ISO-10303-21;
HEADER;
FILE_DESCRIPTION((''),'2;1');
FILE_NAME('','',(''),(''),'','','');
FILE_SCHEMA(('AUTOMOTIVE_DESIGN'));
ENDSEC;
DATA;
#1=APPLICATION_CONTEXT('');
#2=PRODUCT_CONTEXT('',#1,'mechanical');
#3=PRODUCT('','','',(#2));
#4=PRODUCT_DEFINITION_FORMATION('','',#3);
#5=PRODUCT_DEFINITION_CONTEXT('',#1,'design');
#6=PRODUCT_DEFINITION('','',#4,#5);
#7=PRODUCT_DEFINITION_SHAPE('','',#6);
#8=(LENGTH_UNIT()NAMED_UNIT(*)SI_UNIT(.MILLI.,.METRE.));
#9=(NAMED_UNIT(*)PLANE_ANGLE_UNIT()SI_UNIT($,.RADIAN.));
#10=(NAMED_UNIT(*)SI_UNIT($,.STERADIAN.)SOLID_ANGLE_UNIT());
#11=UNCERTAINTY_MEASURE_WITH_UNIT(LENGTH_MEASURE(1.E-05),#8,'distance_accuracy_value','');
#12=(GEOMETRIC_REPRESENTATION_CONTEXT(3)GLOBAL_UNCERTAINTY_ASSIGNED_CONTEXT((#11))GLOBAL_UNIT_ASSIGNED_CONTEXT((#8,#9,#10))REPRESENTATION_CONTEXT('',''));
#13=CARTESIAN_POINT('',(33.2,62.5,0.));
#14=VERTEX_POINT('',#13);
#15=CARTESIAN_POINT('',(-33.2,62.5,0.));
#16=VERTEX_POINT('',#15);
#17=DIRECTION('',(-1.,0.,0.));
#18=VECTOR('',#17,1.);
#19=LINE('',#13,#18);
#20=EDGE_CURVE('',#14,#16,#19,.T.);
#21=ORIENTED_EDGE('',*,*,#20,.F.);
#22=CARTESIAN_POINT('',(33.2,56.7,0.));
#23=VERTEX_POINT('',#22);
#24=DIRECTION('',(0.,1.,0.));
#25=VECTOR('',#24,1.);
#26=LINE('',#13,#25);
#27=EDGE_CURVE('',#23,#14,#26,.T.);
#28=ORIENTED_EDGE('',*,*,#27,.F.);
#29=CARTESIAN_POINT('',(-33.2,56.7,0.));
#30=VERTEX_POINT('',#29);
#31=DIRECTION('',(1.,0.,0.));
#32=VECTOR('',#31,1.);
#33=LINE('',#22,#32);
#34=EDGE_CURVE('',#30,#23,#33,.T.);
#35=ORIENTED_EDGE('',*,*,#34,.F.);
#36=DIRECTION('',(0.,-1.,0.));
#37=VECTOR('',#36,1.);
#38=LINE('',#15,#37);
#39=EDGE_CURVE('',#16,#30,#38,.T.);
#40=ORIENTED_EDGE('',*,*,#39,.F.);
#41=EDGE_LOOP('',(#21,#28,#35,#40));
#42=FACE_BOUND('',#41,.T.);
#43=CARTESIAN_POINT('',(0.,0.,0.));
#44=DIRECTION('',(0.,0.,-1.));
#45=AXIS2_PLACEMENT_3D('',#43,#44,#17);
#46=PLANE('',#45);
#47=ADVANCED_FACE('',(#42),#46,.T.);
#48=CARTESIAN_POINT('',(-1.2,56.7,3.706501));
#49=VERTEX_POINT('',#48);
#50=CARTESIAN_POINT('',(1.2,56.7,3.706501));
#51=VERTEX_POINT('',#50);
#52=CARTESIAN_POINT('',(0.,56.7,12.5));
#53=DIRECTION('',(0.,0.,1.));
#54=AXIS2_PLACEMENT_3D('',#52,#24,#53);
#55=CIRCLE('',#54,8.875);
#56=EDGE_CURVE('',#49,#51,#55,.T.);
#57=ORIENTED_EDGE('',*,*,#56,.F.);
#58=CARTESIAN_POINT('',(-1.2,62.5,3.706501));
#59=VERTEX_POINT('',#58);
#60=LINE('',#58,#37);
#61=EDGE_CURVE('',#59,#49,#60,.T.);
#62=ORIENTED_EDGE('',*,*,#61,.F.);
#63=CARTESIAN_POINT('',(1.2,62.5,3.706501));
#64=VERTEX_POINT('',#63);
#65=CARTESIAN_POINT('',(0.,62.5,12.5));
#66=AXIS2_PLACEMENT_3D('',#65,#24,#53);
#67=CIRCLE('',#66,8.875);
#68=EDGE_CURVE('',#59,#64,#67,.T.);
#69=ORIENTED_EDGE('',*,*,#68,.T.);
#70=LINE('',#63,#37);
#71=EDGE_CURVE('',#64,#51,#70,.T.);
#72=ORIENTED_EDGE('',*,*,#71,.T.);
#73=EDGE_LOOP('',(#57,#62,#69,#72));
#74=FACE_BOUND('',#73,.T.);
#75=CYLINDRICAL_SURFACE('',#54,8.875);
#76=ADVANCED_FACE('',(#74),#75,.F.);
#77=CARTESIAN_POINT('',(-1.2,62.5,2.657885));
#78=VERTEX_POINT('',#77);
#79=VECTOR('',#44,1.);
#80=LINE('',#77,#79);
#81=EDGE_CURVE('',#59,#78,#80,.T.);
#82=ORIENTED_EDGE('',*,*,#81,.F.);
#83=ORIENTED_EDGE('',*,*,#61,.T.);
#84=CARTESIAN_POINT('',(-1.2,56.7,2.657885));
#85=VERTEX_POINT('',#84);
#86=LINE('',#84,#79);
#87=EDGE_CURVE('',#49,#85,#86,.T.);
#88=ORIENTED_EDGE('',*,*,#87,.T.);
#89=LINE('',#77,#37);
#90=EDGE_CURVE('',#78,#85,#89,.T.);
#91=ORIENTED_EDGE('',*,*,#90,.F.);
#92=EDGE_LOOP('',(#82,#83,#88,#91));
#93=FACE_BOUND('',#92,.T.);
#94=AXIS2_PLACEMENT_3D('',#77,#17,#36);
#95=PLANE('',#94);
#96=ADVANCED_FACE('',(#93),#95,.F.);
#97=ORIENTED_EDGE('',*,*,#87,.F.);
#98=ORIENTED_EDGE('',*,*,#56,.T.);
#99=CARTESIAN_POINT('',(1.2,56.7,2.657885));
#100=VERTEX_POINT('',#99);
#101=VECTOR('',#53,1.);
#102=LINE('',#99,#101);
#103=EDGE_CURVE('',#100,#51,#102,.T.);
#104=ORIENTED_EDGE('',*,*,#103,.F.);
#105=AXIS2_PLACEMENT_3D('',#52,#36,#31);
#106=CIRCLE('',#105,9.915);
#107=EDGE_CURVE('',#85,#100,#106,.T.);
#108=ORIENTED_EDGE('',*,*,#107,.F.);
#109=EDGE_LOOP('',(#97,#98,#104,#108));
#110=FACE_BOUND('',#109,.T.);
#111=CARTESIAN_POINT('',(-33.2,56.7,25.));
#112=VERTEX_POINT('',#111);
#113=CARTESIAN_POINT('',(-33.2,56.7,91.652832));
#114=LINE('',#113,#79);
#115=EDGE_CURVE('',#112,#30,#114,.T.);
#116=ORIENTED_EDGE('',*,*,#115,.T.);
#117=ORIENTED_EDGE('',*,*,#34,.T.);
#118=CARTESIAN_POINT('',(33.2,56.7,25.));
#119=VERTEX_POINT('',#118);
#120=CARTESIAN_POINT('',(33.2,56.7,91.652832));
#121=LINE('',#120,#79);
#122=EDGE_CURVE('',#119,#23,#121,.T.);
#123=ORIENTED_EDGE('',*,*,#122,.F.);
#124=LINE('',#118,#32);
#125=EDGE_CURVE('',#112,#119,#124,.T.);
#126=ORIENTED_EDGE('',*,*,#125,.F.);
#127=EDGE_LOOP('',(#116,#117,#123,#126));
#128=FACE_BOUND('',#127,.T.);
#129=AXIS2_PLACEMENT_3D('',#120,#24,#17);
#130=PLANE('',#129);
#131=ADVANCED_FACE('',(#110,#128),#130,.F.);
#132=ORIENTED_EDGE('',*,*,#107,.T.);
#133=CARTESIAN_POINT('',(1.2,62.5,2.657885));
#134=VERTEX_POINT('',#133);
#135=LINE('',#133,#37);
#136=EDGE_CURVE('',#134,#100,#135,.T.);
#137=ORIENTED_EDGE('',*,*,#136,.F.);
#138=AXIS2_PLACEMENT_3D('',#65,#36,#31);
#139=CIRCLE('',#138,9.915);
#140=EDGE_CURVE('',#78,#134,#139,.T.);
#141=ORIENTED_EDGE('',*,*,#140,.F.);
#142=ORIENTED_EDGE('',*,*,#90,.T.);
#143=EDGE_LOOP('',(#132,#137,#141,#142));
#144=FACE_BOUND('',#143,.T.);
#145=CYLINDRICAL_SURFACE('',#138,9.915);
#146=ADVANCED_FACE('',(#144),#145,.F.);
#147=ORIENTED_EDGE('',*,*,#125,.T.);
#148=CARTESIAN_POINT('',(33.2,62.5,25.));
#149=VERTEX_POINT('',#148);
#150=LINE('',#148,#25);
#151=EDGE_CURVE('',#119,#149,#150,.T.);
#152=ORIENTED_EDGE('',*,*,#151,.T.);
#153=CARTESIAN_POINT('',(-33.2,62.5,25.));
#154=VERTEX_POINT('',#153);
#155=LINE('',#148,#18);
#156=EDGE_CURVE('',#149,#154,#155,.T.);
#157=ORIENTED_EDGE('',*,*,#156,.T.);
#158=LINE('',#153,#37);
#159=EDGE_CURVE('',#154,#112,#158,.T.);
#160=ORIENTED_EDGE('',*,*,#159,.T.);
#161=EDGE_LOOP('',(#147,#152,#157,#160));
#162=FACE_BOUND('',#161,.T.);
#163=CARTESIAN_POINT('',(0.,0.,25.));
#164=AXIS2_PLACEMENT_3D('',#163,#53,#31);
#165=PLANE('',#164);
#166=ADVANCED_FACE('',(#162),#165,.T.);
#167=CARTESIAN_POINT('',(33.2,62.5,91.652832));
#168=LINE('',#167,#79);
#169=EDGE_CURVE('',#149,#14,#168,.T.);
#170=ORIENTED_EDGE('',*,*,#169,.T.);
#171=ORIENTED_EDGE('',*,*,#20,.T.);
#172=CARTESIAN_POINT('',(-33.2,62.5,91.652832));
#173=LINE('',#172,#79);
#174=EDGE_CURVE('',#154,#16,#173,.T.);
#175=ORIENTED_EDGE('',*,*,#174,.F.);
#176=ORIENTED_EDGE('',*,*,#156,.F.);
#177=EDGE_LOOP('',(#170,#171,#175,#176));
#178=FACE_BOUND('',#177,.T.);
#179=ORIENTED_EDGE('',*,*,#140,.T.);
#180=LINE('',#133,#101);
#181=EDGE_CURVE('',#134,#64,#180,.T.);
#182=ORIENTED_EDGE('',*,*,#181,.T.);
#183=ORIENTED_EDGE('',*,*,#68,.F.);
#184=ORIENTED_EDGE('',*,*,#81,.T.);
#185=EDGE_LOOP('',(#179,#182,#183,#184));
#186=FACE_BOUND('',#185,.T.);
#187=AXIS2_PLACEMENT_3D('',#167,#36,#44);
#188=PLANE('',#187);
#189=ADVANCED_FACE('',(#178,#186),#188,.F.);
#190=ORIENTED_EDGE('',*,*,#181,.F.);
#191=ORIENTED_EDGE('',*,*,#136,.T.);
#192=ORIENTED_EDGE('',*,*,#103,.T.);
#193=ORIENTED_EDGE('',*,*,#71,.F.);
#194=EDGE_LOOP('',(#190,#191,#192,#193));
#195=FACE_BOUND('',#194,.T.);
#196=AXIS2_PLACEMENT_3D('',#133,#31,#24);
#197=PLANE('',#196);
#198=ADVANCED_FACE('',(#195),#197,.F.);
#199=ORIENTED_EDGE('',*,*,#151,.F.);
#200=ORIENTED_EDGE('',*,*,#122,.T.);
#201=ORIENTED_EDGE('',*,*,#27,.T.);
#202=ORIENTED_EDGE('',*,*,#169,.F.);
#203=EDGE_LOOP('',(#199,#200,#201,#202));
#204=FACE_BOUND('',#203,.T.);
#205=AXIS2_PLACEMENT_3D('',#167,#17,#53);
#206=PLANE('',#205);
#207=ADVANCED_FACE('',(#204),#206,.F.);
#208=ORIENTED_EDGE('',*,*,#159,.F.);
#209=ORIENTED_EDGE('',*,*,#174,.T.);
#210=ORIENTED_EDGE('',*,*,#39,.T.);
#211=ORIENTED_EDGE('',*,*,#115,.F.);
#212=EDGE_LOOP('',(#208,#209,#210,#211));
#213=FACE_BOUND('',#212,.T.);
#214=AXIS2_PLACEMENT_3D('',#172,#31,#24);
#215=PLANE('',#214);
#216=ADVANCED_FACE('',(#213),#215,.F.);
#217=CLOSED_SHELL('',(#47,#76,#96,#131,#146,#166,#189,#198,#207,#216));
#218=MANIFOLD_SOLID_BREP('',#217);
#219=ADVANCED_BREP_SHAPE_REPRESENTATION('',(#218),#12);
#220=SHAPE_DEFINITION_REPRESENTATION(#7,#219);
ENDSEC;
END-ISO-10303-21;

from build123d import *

# Parameters (mm, degrees)
SKETCH1_W           = 66.4
SKETCH1_H           = 5.8
BOSS_EXTRUDE1_DEPTH = 25
SKETCH2_R           = 8.875
CUT_EXTRUDE1_DEPTH  = 6.8
CUT_EXTRUDE2_DEPTH  = 6.8


with BuildPart() as part:
    # Sketch1 → Boss-Extrude1 (new body)
    with BuildSketch(Plane.XY):
        with Locations((0, 59.6)):
            Rectangle(SKETCH1_W, SKETCH1_H)
    extrude(amount=BOSS_EXTRUDE1_DEPTH)

    # Sketch2 → Cut-Extrude1 (cut, through all)
    with BuildSketch(Plane(origin=(0, 62.5, 0), x_dir=(1, 0, 0), z_dir=(0, 1, 0))):
        with Locations((0, -12.500000019)):
            Circle(SKETCH2_R)
    extrude(amount=-CUT_EXTRUDE1_DEPTH, mode=Mode.SUBTRACT)

    # Sketch3 → Cut-Extrude2 (cut, through all)
    with BuildSketch(Plane.XZ.offset(-56.7)):
        with BuildLine():
            Line((-1.2, 3.706501), (1.2, 3.706501))
            Line((1.2, 3.706501), (1.2, 2.657885155))
            ThreePointArc((1.2, 2.657885155), (0, 2.585000019), (-1.2, 2.657885155))
            Line((-1.2, 2.657885155), (-1.2, 3.706501))
        make_face()
    extrude(amount=-CUT_EXTRUDE2_DEPTH, mode=Mode.SUBTRACT)


solid = part.part
